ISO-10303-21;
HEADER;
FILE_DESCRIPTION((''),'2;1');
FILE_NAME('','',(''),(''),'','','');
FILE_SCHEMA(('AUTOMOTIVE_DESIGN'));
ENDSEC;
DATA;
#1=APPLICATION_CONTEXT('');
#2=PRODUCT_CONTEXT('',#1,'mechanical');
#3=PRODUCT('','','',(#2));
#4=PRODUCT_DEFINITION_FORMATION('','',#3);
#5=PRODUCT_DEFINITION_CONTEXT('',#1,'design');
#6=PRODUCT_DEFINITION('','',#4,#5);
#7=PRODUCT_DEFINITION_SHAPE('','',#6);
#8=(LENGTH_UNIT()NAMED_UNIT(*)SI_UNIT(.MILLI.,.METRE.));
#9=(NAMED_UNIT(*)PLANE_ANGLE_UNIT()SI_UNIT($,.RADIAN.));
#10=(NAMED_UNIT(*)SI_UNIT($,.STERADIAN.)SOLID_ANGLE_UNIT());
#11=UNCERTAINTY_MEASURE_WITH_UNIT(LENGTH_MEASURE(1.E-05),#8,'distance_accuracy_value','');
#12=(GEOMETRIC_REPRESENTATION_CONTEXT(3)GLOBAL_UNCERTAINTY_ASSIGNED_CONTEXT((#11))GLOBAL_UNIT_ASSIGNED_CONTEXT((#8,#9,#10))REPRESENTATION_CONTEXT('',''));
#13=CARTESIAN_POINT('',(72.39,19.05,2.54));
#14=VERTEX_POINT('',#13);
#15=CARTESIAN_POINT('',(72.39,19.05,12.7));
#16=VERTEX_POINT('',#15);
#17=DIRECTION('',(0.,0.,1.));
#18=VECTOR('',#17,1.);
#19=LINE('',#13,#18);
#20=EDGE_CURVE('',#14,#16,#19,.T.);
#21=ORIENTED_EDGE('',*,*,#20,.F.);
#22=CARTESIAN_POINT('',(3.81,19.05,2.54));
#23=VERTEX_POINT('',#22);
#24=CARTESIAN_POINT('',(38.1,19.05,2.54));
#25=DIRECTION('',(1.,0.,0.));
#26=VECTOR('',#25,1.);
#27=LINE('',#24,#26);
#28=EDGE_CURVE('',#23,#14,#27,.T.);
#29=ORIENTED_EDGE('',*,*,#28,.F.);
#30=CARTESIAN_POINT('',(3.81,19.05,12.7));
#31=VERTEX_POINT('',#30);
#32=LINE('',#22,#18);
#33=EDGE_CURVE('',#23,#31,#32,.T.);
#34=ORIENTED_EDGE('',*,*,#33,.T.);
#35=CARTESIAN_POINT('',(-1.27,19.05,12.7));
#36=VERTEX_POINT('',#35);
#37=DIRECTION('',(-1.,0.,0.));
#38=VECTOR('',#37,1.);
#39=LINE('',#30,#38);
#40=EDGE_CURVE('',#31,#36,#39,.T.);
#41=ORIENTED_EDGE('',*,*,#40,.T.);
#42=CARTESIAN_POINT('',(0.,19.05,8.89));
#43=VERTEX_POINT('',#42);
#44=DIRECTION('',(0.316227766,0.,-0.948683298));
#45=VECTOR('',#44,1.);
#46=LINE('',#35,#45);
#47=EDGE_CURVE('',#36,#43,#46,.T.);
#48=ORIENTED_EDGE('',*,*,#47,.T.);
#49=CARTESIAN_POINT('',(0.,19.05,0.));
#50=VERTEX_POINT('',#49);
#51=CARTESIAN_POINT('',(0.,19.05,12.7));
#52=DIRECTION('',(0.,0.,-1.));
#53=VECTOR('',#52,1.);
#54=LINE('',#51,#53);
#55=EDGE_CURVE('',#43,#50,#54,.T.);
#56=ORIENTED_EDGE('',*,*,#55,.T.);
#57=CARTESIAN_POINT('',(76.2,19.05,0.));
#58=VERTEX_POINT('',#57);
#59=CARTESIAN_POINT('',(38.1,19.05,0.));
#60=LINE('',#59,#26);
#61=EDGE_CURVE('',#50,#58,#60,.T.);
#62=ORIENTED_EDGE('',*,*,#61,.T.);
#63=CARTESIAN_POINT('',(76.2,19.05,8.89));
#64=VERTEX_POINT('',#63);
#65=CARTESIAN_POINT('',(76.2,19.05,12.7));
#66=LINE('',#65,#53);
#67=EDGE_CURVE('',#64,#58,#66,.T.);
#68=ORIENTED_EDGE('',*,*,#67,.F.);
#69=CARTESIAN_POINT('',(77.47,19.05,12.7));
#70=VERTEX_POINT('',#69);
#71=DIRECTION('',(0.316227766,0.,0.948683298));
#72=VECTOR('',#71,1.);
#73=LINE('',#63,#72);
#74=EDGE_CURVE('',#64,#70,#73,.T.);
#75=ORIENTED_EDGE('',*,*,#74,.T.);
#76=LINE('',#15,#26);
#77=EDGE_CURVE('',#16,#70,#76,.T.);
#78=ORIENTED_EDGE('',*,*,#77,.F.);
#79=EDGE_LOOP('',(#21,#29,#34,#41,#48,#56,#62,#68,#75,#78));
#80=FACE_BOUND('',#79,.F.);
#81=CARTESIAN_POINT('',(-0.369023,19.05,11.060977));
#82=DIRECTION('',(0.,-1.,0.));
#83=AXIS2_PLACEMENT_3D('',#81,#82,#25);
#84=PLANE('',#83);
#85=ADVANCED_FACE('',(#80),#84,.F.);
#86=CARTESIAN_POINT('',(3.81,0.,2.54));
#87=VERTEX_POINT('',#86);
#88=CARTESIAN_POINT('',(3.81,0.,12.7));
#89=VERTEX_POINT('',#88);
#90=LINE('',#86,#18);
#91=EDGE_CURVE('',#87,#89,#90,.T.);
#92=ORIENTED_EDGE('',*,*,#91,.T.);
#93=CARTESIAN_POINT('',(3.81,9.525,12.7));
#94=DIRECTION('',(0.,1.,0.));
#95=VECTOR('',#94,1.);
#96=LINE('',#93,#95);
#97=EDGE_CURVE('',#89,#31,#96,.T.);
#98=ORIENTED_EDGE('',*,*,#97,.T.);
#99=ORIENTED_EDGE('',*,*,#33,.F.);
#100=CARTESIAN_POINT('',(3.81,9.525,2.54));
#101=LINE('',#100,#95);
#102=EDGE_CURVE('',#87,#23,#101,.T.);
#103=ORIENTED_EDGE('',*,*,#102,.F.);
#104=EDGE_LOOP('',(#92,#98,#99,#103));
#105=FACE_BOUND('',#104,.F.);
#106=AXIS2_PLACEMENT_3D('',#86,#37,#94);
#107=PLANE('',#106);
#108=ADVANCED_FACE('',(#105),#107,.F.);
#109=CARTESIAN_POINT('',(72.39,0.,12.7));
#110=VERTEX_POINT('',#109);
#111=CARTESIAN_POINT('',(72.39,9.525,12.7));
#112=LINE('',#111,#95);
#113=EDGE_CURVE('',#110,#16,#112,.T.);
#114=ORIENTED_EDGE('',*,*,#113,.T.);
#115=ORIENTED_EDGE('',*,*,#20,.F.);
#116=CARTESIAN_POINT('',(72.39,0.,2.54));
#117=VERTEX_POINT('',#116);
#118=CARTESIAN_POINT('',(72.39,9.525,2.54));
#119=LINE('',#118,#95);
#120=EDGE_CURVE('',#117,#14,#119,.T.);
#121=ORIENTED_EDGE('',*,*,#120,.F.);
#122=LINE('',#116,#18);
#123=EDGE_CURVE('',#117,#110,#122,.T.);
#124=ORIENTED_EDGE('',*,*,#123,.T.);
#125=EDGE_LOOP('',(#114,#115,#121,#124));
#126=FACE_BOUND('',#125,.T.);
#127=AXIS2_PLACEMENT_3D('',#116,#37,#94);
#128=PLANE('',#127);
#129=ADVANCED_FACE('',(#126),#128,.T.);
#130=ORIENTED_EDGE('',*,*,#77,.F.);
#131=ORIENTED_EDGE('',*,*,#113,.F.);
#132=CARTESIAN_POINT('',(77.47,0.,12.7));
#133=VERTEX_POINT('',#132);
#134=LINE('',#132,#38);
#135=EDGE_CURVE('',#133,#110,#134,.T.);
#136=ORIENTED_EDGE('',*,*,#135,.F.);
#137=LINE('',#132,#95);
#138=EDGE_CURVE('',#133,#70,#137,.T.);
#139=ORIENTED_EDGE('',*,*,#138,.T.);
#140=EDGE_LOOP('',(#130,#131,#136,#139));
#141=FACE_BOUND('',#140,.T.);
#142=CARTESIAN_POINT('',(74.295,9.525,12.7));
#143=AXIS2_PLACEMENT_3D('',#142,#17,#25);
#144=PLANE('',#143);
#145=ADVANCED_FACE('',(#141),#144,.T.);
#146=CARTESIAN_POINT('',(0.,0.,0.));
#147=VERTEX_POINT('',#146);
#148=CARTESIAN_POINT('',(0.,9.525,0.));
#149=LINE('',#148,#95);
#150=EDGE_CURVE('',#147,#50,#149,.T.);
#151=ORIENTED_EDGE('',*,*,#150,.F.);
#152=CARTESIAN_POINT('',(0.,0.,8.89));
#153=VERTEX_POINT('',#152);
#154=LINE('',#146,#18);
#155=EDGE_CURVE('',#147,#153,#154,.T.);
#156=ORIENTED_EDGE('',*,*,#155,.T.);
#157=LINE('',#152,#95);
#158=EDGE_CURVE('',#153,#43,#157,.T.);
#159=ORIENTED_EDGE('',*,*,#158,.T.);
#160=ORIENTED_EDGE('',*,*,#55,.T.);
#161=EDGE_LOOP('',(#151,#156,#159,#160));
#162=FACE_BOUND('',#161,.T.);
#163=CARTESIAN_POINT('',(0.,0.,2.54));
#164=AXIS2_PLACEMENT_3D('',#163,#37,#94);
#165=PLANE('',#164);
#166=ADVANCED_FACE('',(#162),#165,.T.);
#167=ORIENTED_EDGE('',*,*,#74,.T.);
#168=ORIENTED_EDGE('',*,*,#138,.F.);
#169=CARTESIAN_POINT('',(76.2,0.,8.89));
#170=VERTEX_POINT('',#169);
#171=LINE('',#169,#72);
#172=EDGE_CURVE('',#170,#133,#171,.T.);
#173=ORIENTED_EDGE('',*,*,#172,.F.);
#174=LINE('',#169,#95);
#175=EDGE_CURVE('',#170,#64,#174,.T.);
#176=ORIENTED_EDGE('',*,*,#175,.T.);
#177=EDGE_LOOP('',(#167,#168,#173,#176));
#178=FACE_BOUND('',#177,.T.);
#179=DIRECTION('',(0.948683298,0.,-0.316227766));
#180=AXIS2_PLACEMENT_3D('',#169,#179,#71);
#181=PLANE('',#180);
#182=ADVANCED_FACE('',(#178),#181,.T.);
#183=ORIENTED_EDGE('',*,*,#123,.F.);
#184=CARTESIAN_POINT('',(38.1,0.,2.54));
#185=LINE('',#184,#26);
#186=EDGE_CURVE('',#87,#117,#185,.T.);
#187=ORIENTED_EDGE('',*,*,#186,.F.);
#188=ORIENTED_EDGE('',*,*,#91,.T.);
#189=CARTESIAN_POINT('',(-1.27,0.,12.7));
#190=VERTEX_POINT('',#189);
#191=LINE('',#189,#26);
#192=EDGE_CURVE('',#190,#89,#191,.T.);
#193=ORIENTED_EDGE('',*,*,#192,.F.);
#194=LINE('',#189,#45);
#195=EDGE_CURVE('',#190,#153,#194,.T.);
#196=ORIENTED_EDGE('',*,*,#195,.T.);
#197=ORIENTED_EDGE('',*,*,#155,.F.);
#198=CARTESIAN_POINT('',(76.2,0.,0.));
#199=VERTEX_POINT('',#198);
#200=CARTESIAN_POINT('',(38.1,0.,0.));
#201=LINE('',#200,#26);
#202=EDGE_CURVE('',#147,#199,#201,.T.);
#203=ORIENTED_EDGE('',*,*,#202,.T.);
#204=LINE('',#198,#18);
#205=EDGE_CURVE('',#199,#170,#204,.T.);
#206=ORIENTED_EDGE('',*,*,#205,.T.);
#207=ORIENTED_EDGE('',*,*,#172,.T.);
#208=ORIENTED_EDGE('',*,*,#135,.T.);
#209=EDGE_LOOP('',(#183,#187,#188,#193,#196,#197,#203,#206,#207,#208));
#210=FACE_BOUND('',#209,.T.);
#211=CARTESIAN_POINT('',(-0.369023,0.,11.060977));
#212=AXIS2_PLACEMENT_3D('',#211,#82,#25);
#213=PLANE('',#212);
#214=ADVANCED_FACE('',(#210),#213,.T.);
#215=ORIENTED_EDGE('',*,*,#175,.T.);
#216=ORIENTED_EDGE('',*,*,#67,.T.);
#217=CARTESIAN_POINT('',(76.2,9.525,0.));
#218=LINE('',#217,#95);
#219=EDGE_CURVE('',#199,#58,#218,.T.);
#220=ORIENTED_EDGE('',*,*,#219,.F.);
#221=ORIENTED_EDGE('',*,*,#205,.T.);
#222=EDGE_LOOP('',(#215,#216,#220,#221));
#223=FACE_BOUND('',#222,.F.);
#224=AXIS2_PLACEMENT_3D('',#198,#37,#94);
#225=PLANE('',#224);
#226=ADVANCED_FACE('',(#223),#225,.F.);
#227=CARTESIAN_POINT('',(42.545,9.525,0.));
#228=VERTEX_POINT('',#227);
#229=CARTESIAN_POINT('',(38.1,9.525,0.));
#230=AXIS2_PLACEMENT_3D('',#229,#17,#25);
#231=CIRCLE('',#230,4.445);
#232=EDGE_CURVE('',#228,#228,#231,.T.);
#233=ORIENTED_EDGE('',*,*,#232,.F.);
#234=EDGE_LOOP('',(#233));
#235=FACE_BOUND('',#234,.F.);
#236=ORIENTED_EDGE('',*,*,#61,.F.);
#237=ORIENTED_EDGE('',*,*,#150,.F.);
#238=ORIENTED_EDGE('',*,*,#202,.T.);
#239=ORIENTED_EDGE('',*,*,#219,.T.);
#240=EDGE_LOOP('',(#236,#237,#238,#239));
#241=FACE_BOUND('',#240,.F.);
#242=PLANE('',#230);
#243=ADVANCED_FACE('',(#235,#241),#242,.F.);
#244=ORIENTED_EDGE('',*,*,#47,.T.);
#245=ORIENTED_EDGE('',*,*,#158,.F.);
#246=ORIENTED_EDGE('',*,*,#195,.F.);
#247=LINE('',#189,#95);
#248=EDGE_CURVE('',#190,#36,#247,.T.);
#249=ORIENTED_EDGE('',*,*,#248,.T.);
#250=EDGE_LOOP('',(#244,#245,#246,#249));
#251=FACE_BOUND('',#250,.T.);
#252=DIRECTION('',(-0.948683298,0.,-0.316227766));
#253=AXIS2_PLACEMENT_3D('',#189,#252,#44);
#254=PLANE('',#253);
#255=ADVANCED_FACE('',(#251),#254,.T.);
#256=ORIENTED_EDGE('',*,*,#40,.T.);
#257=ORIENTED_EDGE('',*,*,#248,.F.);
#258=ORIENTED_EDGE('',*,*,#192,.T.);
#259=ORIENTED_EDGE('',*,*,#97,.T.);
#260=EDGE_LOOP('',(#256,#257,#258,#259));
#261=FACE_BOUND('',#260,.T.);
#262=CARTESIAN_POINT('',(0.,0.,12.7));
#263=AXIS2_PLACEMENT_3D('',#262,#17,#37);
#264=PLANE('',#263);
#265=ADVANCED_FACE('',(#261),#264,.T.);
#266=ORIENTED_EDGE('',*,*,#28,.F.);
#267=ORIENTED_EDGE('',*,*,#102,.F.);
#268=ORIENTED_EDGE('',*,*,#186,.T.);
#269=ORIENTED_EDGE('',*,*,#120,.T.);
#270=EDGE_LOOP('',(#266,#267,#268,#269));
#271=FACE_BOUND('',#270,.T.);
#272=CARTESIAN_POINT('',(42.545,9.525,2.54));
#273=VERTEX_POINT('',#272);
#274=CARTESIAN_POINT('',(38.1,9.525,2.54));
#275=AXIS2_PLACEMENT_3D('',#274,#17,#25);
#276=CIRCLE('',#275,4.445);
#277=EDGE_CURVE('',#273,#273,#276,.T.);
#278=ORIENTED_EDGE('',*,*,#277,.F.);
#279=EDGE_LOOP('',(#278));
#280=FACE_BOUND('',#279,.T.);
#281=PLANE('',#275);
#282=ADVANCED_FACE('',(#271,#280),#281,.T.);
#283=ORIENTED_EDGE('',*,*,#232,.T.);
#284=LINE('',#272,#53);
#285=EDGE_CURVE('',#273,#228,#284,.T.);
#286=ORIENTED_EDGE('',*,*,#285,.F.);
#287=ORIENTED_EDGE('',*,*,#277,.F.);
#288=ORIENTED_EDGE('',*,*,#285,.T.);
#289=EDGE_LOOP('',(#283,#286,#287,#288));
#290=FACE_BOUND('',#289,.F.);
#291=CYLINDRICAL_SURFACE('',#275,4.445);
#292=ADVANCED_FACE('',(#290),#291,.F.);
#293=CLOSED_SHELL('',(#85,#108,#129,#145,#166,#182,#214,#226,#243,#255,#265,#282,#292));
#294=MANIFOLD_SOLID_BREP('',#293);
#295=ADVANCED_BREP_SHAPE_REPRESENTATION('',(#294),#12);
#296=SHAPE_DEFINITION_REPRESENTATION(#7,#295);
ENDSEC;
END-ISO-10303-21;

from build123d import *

# Parameters (mm, degrees)
F0_W     = 76.2
F0_H     = 19.05
F1_DEPTH = 2.54
F2_W     = 3.81
F2_H     = 19.05
F3_DEPTH = 10.16
F4_R     = 4.445
F5_DEPTH = 25.4
F7_DEPTH = 19.05


with BuildPart() as f1:
    # F0 (on Top) → F1 (new body)
    with BuildSketch(Plane.XY):
        with Locations((38.1, 9.525)):
            Rectangle(F0_W, F0_H)
    extrude(amount=F1_DEPTH)

    # F2 (on face) → F3 (join)
    with BuildSketch(Plane.XY.offset(2.54)):
        with Locations((1.905, 9.525)):
            Rectangle(F2_W, F2_H)
        with Locations((74.295, 9.525)):
            Rectangle(F2_W, F2_H)
    extrude(amount=F3_DEPTH)

    # F4 (on face) → F5 (cut)
    with BuildSketch(Plane.XY.offset(2.54)):
        with Locations((38.1, 9.525)):
            Circle(F4_R)
    extrude(amount=-F5_DEPTH, mode=Mode.SUBTRACT)

    # F6 (on face) → F7 (join, through all)
    with BuildSketch(Plane.XZ):
        Polygon((0, 8.89), (0, 12.7), (-1.27, 12.7), align=None)
        Polygon((76.2, 12.7), (76.2, 8.89), (77.47, 12.7), align=None)
    extrude(amount=-F7_DEPTH)


solid = f1.part
